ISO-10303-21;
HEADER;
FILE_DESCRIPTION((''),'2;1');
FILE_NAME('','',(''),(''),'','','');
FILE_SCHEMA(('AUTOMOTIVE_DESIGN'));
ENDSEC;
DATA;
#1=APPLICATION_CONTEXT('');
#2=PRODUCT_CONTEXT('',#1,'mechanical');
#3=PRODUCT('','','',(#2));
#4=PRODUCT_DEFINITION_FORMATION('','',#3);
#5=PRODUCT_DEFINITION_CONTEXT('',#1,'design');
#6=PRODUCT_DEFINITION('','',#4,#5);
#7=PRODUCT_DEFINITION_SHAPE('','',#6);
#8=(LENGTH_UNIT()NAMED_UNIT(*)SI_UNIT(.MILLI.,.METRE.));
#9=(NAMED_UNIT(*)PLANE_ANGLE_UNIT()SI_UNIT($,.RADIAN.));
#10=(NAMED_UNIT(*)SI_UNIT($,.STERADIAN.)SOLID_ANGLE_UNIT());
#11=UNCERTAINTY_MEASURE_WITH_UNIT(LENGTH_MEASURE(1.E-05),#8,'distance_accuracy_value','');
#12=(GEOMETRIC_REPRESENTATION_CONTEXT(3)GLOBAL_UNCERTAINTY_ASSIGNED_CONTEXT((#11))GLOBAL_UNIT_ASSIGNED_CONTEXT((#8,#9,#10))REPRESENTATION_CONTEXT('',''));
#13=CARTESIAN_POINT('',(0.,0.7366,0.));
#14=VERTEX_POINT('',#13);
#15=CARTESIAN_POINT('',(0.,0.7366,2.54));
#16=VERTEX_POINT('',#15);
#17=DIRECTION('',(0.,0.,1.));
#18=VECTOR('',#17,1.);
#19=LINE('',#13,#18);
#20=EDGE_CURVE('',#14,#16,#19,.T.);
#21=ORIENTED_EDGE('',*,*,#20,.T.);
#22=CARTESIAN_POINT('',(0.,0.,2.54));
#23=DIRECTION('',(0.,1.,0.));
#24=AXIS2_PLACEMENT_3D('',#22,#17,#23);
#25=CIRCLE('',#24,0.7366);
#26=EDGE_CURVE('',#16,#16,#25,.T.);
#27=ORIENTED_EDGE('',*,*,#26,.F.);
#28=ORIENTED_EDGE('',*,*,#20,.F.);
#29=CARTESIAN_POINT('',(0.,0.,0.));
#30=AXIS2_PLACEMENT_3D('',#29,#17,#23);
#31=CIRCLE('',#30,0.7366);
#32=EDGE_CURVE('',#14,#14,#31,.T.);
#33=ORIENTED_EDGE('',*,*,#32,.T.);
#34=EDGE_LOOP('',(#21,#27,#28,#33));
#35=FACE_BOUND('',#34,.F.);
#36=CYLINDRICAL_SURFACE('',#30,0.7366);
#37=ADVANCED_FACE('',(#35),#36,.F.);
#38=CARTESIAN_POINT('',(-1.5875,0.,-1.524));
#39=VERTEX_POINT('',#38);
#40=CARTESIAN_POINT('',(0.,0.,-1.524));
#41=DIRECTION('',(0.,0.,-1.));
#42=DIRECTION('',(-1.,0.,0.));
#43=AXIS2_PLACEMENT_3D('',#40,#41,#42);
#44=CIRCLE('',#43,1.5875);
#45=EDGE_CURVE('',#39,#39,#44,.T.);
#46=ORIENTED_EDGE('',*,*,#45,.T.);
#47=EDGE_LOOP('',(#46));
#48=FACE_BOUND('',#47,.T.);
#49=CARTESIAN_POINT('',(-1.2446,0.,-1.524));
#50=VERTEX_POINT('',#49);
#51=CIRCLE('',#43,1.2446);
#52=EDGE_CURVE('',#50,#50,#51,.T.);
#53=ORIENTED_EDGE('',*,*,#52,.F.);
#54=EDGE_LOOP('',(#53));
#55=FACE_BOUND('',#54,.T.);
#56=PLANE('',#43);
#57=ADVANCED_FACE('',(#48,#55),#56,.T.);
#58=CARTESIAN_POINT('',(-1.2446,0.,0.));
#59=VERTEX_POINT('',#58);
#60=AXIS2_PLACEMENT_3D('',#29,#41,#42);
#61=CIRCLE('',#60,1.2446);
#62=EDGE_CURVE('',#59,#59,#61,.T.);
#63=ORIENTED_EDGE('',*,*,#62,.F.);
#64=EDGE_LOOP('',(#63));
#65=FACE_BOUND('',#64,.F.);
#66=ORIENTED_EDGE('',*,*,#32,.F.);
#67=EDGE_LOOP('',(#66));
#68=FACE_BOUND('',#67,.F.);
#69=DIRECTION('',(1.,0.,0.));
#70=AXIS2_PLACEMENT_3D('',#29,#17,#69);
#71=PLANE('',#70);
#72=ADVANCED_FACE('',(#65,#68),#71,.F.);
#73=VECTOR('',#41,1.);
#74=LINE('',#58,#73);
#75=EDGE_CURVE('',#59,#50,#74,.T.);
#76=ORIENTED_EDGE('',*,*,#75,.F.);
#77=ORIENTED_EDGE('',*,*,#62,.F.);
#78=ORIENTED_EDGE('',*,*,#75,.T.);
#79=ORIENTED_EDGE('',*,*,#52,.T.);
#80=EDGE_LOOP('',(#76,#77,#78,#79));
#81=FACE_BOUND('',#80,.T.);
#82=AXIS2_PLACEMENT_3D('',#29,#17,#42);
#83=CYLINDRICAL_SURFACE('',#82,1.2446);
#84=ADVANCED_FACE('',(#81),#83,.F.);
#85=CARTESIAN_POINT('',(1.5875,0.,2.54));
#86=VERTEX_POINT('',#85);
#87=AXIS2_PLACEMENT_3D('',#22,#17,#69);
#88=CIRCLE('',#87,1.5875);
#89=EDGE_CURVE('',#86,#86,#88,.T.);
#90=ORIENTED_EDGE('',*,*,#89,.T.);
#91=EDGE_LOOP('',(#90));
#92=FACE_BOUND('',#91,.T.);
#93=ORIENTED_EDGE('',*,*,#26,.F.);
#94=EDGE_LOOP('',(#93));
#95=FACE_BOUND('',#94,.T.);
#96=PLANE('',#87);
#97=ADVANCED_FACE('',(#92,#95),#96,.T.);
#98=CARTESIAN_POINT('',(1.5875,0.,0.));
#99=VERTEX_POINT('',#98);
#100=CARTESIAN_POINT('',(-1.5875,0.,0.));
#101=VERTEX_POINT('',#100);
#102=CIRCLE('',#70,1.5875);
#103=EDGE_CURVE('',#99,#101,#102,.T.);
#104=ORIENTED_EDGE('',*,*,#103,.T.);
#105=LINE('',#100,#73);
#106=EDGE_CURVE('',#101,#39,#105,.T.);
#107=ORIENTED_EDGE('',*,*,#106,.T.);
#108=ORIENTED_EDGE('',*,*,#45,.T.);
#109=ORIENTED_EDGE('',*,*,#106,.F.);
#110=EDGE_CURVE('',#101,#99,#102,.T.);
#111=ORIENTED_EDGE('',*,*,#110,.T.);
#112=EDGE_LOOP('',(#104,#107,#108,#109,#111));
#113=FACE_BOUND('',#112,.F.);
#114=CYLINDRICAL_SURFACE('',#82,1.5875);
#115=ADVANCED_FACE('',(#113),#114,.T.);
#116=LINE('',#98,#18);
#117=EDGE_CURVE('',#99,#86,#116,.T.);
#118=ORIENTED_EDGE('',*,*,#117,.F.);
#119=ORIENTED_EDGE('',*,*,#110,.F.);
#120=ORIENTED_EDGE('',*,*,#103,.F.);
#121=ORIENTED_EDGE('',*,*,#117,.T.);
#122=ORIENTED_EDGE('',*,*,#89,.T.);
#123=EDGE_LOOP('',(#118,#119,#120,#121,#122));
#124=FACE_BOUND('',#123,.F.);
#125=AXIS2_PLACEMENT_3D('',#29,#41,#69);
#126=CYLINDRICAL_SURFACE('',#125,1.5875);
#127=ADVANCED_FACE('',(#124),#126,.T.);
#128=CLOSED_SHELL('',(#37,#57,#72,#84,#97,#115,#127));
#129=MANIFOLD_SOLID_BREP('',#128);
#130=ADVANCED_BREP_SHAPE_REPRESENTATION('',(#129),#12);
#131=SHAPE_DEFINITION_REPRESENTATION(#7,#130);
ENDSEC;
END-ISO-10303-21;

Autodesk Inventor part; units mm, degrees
ref_plane "YZ Plane" through (0, 0, 0) normal (1, 0, 0) x (0, 1, 0)
ref_plane "XZ Plane" through (0, 0, 0) normal (0, 1, 0) x (-1, 0, 0)
ref_plane "XY Plane" through (0, 0, 0) normal (0, 0, 1) x (1, 0, 0)
sketch "Sketch1" plane through (0, 0, 0) normal (0, 0, 1) x (1, 0, 0)
  circle A0 centre (0, 0) radius 1.5875
  dimension "d0" = 3.175
extrude "Extrusion1" add sketch "Sketch1" along normal blind 2.54
hole "Hole1" at (0, 0, 0) direction (0, 0, 1) diameter 1.4732 end through all
sketch "Sketch2" plane through (0, 0, 0) normal (0, 0, -1) x (-1, 0, 0)
  circle A0 centre (0, 0) radius 1.5875 projected
  circle A1 centre (0, 0) radius 1.2446
  dimension "d12" = 2.4892
extrude "Extrusion2" add sketch "Sketch2" along normal blind 1.524
properties part number "inner_block"
